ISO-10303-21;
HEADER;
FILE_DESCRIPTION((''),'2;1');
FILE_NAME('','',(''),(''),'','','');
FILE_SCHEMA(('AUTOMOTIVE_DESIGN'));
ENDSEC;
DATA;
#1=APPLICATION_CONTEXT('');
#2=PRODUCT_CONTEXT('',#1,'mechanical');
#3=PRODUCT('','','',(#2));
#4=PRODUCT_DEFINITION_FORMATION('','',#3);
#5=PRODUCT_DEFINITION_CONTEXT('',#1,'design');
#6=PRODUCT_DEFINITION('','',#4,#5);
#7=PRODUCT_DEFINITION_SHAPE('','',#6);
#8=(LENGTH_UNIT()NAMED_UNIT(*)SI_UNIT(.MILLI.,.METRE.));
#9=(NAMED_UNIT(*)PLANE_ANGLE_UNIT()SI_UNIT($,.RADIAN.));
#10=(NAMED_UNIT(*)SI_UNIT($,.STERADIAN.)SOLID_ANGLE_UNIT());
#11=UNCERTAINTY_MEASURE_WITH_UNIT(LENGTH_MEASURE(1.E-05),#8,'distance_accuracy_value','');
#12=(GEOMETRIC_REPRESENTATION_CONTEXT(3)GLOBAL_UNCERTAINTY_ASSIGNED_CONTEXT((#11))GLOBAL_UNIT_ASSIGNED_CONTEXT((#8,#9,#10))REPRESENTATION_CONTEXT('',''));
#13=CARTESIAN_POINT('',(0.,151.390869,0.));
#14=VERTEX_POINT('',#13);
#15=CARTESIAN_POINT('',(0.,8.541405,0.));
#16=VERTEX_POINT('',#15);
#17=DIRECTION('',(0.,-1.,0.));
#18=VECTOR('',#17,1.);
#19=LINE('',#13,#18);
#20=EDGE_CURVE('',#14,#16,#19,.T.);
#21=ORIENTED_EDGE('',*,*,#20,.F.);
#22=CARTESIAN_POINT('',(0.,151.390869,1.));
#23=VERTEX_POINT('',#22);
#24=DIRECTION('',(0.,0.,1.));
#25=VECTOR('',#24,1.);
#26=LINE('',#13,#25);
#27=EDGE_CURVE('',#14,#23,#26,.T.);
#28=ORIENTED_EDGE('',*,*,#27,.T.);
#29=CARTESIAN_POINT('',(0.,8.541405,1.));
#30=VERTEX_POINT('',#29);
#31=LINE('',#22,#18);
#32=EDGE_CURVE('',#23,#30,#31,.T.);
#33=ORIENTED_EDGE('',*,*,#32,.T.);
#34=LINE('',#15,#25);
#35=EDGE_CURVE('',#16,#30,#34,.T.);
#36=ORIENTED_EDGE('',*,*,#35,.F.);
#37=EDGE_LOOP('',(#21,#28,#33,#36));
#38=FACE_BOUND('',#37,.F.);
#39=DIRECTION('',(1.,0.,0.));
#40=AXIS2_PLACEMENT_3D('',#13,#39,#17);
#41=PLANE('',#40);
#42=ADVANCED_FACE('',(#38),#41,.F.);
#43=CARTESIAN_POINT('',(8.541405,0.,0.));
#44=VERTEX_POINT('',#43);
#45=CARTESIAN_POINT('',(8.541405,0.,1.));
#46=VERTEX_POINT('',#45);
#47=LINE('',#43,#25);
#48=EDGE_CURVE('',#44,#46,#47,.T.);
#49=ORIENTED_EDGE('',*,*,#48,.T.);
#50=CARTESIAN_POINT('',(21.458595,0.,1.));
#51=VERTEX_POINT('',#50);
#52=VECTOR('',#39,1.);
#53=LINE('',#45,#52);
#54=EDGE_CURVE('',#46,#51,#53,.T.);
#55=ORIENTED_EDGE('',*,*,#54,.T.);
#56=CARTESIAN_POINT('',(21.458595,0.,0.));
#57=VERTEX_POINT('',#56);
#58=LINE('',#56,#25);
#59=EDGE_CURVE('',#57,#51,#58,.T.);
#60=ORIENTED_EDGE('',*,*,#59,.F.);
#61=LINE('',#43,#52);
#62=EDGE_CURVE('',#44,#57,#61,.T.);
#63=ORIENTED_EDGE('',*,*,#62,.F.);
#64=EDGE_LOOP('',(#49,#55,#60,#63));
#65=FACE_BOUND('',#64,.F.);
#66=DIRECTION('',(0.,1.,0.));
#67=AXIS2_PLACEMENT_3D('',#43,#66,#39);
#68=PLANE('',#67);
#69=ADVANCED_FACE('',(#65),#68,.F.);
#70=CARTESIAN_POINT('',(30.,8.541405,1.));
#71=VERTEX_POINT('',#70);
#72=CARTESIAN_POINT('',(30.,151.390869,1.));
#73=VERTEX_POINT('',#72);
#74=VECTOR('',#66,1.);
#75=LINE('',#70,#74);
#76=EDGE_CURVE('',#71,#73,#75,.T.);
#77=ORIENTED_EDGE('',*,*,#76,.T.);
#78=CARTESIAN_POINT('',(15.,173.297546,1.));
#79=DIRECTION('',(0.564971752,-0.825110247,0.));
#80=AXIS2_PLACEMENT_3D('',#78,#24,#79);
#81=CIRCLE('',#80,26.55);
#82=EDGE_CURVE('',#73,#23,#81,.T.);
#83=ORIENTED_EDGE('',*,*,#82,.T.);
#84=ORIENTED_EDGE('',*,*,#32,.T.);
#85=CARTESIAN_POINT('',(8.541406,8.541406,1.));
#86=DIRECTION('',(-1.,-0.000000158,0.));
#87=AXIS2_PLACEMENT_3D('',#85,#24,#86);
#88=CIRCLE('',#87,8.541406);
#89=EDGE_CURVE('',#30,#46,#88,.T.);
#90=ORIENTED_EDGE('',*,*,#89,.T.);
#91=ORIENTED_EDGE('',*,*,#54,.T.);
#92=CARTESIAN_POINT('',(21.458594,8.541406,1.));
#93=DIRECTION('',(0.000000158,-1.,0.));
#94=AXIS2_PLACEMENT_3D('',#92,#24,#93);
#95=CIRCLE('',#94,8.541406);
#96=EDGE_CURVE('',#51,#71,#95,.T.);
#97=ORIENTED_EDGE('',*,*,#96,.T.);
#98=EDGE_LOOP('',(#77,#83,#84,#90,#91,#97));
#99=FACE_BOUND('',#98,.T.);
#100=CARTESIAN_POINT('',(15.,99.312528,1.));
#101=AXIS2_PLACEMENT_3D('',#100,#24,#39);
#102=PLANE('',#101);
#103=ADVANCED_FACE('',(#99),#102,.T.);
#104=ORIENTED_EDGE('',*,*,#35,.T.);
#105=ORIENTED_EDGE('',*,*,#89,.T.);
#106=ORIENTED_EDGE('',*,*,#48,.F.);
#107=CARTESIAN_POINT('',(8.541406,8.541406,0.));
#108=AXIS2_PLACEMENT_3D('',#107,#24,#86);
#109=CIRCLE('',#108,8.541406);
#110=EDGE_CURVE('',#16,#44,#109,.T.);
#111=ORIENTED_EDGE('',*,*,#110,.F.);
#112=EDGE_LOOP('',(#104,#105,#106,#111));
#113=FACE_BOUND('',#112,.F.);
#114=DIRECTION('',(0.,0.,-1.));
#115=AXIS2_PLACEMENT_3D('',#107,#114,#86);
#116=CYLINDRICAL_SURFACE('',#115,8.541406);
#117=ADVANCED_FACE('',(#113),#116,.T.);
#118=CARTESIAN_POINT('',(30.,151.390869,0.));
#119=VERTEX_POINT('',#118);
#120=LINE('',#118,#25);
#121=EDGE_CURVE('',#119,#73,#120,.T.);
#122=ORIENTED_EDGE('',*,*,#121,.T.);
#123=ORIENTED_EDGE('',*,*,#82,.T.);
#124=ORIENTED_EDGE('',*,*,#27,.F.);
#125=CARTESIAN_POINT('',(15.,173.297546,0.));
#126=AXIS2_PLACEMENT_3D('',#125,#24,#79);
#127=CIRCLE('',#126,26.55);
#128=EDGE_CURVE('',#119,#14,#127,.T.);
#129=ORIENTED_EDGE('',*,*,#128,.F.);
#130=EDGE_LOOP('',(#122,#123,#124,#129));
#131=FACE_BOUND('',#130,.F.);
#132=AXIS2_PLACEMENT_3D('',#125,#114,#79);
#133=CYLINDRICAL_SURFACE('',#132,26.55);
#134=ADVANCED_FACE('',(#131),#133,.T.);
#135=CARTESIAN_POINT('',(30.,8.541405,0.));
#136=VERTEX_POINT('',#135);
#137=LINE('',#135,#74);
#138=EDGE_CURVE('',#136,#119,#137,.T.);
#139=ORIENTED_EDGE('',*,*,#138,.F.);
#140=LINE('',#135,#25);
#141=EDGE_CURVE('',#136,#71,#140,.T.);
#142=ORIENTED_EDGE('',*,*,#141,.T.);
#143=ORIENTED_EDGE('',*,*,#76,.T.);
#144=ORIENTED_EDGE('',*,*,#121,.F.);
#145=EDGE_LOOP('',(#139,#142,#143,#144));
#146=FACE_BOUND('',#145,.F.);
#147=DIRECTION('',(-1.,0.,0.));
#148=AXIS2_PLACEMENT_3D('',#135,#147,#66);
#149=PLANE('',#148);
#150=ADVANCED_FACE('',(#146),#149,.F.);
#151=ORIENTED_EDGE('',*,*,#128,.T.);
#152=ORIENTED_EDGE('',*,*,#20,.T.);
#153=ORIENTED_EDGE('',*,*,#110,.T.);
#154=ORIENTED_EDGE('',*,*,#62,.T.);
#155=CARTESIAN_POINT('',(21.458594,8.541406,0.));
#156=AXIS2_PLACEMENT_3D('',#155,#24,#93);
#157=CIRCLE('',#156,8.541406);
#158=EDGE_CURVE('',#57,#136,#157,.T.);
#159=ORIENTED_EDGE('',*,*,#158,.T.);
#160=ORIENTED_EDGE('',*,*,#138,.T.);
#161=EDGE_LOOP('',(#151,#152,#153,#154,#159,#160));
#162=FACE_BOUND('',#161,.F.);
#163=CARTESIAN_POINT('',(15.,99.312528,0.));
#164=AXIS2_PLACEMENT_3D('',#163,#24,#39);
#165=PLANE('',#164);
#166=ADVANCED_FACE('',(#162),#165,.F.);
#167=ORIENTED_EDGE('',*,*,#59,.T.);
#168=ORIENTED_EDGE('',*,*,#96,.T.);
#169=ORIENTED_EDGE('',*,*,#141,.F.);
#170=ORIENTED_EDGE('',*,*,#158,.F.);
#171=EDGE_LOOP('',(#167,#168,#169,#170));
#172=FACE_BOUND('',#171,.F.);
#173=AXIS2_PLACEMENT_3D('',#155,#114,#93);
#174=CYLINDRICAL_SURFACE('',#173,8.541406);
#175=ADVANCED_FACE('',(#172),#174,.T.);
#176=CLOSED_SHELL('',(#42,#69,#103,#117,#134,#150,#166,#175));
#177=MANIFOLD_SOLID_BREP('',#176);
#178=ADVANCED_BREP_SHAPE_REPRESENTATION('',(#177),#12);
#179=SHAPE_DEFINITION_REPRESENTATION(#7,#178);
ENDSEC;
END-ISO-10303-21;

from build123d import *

# Parameters (mm, degrees)
PAD_DEPTH = 1


with BuildPart() as part:
    # Sketch → Pad (new body)
    with BuildSketch(Plane.XY):
        with BuildLine():
            Line((8.541405, 0), (21.458595, 0))
            ThreePointArc((21.458595, 0), (27.49828, 2.50172), (30, 8.541405))
            Line((30, 8.541405), (30, 151.390869))
            ThreePointArc((30, 151.390869), (15, 199.847546), (0, 151.390869))
            Line((0, 151.390869), (0, 8.541405))
            ThreePointArc((0, 8.541405), (2.50172, 2.50172), (8.541405, 0))
        make_face()
    extrude(amount=PAD_DEPTH)


solid = part.part
